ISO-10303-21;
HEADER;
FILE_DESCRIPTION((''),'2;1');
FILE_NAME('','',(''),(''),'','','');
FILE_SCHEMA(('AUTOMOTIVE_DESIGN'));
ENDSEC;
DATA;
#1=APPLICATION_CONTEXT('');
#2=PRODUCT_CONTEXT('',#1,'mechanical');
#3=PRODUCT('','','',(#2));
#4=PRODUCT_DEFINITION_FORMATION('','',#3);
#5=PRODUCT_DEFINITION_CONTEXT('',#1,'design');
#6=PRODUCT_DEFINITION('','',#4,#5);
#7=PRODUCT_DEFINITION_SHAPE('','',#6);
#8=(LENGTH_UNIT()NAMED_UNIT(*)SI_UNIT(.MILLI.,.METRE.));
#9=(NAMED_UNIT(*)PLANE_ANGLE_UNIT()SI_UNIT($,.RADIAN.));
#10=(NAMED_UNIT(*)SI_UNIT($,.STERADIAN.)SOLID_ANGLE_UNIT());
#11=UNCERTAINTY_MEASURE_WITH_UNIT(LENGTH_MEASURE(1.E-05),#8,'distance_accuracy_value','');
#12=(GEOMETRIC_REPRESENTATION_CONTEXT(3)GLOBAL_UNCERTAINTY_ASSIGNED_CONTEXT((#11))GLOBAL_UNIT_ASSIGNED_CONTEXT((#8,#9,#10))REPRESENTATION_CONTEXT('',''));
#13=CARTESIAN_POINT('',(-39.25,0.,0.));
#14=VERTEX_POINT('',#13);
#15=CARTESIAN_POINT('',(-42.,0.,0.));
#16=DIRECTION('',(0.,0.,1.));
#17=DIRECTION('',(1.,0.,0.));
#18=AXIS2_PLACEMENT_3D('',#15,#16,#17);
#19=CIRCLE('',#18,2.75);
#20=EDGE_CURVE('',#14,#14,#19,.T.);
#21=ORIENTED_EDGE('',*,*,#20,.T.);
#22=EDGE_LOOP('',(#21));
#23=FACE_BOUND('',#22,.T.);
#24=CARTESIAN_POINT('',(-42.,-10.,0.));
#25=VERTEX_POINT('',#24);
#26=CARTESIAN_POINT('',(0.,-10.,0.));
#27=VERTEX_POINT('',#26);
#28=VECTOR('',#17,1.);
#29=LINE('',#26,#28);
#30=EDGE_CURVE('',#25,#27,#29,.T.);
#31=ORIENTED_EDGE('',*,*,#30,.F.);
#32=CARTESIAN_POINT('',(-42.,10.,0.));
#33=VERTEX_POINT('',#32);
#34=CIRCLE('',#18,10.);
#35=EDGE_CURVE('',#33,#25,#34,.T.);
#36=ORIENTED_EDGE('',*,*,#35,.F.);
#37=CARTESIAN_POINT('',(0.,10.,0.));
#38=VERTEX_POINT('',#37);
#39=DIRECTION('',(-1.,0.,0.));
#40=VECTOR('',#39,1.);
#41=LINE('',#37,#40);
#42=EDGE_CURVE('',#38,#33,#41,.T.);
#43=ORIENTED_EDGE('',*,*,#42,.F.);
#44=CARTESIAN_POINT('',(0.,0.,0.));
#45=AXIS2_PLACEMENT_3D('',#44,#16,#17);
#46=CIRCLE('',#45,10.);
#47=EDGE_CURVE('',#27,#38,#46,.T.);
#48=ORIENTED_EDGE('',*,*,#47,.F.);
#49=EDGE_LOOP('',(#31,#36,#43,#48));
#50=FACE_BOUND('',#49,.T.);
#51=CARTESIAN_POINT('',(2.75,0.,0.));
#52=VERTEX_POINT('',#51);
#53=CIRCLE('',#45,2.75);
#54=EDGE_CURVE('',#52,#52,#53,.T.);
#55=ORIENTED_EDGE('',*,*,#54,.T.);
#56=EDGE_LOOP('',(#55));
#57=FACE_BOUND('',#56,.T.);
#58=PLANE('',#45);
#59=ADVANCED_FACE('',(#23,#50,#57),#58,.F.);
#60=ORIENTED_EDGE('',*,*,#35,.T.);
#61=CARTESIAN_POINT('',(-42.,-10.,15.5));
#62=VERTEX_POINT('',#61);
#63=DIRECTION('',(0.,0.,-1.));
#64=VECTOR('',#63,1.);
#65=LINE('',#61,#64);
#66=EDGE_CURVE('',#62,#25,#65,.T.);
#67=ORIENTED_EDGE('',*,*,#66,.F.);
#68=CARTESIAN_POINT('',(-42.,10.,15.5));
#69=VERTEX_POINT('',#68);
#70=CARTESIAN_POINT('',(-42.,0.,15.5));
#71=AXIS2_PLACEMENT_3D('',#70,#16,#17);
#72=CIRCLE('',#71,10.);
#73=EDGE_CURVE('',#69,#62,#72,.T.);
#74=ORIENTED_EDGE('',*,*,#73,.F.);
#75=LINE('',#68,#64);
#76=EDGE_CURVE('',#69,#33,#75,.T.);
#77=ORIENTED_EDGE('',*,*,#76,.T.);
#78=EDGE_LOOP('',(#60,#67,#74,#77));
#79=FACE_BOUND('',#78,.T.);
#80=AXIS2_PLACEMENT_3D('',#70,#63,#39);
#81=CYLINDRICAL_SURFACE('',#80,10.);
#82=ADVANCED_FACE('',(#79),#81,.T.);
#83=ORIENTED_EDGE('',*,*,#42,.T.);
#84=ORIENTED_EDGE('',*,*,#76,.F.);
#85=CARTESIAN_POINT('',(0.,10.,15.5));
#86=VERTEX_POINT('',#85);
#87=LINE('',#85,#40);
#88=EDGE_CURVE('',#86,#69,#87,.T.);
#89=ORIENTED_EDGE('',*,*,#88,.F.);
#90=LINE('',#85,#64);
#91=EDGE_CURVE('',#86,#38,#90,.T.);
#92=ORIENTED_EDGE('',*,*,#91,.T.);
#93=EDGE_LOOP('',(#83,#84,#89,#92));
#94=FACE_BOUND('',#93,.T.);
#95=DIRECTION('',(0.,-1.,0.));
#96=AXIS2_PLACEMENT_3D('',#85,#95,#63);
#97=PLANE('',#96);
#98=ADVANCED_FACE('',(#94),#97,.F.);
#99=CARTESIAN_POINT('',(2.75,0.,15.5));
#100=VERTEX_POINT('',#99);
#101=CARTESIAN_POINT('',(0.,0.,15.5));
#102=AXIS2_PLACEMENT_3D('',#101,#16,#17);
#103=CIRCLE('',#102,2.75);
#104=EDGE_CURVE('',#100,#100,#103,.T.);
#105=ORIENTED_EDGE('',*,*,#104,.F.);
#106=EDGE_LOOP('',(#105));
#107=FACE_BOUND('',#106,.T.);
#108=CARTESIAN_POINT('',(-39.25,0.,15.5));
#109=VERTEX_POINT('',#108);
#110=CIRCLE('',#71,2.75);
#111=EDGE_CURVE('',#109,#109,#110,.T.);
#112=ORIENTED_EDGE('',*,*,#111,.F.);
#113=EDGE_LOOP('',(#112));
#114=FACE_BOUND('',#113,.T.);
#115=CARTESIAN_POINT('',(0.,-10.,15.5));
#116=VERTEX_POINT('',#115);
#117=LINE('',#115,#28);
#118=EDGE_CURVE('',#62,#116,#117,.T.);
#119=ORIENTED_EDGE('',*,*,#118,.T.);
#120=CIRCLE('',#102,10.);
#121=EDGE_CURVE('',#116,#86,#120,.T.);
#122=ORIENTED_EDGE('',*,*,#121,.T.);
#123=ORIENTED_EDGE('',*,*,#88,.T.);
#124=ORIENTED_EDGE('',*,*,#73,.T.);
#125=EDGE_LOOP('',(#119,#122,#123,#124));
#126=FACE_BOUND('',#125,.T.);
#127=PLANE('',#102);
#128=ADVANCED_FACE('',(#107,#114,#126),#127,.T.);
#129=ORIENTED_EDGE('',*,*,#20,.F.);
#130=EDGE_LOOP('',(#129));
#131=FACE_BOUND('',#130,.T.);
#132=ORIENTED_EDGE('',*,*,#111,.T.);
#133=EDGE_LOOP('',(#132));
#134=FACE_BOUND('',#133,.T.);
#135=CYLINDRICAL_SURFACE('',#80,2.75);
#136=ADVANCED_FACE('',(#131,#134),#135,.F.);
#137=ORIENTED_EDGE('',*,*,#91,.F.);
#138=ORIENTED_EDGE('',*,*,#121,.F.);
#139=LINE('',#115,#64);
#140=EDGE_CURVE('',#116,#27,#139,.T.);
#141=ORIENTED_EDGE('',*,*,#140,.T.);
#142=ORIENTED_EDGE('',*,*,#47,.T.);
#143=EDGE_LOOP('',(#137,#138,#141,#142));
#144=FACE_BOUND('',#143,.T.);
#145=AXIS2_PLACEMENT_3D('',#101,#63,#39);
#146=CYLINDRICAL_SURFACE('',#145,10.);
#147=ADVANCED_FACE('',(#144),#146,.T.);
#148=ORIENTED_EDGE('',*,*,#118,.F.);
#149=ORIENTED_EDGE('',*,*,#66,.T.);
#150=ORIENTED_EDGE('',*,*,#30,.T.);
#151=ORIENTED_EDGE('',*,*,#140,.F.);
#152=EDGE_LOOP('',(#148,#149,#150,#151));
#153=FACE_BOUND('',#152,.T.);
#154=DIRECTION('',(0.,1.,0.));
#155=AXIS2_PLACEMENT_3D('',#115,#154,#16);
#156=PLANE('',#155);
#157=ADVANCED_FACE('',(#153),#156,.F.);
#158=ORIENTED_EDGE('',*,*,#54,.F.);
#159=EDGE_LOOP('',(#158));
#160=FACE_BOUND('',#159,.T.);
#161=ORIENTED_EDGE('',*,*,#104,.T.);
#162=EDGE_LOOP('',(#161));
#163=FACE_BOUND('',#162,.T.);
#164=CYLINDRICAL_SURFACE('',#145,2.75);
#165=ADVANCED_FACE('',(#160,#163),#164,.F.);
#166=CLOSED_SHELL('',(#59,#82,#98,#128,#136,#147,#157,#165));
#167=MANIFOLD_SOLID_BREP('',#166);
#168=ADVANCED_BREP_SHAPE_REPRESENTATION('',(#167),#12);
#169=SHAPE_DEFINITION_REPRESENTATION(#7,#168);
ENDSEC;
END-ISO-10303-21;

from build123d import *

# Parameters (mm, degrees)
SKETCH1_R           = 2.75
BOSS_EXTRUDE1_DEPTH = 15.5


with BuildPart() as part:
    # Sketch1 → Boss-Extrude1 (new body)
    with BuildSketch(Plane.XY):
        with BuildLine():
            Line((0, -10), (-42, -10))
            ThreePointArc((-42, -10), (-52, 0), (-42, 10))
            Line((-42, 10), (0, 10))
            ThreePointArc((0, 10), (10, 0), (0, -10))
        make_face()
        with Locations((-42, 0)):
            Circle(SKETCH1_R, mode=Mode.SUBTRACT)
        Circle(SKETCH1_R, mode=Mode.SUBTRACT)
    extrude(amount=BOSS_EXTRUDE1_DEPTH)


solid = part.part
